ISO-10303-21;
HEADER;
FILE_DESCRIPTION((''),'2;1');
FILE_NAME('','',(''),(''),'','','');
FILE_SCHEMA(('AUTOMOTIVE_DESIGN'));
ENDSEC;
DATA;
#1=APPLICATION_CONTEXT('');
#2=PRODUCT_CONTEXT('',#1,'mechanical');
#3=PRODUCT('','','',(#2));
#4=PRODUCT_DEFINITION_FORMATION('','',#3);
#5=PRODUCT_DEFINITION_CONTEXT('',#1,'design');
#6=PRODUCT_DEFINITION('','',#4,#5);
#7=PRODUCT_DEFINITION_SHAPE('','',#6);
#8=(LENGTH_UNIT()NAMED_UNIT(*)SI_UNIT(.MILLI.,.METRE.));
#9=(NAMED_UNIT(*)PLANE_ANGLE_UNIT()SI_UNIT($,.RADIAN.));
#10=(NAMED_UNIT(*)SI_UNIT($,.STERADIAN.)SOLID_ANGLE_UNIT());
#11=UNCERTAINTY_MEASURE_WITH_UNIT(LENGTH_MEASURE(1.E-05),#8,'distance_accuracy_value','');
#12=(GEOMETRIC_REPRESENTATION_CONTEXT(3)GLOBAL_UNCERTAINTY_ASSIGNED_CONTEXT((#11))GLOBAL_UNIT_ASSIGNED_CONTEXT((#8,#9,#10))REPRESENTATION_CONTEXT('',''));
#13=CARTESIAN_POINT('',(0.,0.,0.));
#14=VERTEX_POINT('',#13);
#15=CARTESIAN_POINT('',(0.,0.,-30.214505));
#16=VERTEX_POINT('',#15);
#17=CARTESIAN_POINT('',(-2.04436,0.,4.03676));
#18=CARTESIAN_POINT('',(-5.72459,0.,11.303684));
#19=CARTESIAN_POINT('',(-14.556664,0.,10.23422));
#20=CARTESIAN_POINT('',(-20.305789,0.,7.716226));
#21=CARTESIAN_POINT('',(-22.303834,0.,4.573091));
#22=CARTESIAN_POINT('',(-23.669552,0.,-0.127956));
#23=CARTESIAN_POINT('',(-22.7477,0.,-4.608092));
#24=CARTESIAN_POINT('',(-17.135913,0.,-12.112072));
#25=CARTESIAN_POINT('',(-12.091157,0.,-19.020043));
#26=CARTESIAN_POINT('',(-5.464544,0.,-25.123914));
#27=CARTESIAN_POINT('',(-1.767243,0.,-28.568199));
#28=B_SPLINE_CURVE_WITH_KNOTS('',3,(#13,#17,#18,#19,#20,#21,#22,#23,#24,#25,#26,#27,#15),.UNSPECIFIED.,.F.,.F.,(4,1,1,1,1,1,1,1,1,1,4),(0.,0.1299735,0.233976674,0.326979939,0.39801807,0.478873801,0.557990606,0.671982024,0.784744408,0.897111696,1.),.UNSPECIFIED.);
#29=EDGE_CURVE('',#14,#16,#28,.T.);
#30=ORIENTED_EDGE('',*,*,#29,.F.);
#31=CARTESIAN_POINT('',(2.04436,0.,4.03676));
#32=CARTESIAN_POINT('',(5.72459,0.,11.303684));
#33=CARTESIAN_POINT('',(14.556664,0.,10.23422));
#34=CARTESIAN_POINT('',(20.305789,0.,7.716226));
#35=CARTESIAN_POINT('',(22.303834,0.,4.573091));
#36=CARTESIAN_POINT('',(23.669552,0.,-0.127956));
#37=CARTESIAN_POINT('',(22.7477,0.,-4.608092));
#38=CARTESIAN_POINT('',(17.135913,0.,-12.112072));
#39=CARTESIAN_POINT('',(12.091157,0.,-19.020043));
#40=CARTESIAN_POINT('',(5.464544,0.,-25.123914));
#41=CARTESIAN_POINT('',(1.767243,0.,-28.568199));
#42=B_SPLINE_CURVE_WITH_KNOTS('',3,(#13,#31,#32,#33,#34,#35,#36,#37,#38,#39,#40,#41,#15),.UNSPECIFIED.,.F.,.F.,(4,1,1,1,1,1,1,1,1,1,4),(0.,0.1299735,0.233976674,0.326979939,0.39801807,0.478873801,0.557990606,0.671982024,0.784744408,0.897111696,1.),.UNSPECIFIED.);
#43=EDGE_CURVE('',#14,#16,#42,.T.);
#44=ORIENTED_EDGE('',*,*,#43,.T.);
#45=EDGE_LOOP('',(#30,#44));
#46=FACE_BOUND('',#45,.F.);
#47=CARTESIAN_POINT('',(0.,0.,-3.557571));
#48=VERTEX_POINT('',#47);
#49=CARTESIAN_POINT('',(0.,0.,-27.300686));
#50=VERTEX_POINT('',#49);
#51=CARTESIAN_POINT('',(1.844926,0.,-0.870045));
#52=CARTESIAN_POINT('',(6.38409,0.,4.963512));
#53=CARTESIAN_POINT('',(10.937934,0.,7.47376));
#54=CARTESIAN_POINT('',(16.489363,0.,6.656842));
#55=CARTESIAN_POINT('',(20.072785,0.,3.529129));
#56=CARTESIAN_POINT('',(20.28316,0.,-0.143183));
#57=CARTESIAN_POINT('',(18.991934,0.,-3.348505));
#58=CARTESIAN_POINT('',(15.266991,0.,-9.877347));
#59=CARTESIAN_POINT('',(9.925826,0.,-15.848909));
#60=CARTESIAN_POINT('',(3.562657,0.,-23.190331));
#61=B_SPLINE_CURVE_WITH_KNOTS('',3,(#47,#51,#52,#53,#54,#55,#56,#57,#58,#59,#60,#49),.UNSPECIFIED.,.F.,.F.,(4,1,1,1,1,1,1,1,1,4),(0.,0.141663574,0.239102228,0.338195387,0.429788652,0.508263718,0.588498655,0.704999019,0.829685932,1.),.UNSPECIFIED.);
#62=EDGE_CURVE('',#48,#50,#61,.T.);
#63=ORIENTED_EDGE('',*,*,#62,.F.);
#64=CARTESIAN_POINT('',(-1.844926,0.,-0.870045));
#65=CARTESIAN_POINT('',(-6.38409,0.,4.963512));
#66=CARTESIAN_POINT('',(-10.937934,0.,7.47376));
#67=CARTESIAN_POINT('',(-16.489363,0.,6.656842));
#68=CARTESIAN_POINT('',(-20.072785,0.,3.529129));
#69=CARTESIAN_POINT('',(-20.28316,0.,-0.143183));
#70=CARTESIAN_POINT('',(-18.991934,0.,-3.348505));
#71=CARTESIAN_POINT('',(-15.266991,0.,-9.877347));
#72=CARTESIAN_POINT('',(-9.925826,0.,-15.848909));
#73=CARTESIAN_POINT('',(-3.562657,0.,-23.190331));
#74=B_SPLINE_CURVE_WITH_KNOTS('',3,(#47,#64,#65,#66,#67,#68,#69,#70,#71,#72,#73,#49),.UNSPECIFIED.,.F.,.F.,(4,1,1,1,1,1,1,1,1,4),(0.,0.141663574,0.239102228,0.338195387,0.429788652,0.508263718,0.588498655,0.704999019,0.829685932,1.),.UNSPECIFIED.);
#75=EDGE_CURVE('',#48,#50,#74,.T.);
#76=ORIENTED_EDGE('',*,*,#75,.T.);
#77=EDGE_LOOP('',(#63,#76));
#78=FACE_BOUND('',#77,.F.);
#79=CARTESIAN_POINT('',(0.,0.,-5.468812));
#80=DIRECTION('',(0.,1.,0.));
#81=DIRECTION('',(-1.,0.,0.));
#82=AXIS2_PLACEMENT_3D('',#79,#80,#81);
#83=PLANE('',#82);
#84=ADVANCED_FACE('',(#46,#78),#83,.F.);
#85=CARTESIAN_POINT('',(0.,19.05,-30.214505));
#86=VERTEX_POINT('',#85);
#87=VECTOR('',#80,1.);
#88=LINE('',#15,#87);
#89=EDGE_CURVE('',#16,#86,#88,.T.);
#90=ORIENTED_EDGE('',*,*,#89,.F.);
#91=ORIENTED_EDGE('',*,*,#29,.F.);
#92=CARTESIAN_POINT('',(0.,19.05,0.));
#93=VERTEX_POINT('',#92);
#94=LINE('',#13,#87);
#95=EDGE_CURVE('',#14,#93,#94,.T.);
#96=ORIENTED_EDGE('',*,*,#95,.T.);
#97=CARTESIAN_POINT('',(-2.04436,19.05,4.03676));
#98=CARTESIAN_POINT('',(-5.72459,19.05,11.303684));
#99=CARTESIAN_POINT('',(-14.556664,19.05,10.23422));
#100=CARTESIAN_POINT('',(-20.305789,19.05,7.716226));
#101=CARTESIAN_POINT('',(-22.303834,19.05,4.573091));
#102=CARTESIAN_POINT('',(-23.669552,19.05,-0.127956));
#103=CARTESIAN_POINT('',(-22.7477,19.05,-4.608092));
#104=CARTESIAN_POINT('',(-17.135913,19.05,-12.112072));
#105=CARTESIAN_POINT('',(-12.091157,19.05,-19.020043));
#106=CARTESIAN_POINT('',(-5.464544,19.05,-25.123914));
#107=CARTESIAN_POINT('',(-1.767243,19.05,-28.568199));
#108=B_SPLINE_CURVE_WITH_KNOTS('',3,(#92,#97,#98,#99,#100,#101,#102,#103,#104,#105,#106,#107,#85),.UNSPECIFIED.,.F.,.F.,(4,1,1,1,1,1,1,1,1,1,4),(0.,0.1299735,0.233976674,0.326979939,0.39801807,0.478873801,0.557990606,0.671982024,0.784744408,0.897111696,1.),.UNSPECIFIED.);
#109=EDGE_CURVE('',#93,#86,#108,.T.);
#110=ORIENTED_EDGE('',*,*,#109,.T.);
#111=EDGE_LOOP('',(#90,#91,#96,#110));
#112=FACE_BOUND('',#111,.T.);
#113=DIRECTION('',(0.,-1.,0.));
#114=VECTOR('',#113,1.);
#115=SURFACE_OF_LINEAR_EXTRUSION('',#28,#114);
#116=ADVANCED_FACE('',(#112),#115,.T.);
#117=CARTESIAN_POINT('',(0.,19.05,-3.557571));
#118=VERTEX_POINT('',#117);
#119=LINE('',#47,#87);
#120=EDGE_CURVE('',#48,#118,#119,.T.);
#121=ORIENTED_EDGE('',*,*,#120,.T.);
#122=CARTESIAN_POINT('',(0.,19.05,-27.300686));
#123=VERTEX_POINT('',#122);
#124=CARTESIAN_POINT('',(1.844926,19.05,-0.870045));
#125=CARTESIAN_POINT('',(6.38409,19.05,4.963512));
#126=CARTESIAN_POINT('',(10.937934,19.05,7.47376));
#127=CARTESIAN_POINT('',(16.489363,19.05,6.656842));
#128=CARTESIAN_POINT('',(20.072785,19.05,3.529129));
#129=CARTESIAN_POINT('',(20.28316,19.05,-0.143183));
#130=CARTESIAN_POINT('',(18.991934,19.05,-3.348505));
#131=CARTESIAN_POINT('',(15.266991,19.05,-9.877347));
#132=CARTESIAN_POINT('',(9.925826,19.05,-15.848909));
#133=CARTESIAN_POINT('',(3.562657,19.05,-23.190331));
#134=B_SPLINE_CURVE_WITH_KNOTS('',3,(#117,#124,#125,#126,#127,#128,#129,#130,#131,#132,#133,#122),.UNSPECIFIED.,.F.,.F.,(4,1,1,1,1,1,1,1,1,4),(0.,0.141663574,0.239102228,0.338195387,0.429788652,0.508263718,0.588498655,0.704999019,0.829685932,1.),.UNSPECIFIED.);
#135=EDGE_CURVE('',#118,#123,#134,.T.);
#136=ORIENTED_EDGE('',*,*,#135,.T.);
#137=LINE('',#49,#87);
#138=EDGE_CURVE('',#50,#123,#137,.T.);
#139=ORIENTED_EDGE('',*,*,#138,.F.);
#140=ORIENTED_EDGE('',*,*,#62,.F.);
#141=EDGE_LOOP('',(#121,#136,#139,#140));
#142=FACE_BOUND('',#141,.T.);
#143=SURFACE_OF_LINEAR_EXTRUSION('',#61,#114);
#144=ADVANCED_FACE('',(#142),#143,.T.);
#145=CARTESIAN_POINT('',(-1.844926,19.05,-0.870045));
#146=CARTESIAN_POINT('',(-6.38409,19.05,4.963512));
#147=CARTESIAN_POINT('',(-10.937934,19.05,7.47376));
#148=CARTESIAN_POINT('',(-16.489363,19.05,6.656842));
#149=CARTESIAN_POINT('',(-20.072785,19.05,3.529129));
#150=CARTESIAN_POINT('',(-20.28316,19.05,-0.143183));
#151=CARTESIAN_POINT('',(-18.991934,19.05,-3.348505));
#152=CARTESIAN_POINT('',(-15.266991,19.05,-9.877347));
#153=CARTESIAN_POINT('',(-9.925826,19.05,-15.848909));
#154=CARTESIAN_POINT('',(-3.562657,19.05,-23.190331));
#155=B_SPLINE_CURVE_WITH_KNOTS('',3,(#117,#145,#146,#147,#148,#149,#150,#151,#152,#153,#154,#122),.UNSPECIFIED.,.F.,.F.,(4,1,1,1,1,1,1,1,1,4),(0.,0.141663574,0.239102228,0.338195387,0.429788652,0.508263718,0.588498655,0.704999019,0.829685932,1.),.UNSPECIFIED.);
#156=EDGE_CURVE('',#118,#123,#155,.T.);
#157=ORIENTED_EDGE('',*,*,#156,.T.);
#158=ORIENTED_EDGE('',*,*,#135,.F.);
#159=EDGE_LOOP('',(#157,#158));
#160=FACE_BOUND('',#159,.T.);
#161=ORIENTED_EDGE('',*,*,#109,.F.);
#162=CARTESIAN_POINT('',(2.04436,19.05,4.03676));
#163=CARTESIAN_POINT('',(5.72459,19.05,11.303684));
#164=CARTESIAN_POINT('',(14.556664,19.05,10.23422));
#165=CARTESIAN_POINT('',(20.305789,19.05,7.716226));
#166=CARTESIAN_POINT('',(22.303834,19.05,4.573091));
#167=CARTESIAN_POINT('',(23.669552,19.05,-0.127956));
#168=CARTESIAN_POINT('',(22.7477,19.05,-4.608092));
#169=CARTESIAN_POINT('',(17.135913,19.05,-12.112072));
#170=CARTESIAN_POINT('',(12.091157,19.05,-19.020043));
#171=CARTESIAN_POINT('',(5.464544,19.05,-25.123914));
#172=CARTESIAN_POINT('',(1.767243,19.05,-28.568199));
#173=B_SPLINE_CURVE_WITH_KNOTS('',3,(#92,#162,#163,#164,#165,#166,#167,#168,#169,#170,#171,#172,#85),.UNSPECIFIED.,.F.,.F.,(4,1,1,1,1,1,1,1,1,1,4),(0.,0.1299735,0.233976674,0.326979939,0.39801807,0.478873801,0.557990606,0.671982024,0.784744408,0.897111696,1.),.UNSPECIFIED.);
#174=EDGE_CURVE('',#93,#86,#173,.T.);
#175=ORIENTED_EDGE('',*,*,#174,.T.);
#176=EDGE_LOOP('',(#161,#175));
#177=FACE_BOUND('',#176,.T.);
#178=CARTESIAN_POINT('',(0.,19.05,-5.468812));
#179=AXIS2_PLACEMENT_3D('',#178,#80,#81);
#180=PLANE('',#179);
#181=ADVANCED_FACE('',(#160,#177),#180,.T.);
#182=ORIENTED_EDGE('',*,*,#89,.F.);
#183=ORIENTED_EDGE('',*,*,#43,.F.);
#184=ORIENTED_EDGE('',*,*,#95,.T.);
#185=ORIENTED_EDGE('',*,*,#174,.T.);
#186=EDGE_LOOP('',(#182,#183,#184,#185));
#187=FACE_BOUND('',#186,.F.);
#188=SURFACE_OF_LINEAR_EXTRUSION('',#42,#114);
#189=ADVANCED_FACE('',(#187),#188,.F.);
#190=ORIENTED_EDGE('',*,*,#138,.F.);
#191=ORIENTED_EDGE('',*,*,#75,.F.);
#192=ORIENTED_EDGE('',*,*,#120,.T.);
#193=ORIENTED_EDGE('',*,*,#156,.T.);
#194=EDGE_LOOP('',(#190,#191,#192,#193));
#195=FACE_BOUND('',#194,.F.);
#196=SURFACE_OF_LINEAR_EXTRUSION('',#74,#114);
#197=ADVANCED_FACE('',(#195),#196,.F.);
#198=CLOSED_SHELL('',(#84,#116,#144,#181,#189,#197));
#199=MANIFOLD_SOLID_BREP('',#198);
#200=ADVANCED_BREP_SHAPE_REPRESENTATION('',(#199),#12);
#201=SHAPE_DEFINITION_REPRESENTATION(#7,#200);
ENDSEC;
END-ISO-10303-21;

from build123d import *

# Parameters (mm, degrees)
F1_DEPTH = 19.05
F3_DEPTH = 19.05


with BuildPart() as f1:
    # F0 (on Front) → F1 (new body)
    with BuildSketch(Plane.XZ):
        with BuildLine():
            add(Edge.make_bspline(
                [(0, 0), (2.0443595991, 4.0367596063), (5.7245902405, 11.3036838799), (14.5566635162, 10.2342195747), (20.3057890604, 7.7162259112), (22.3038344549, 4.5730914919), (23.6695519647, -0.1279557131), (22.7476999658, -4.6080915527), (17.1359127985, -12.1120721618), (12.0911573216, -19.0200425856), (5.4645438108, -25.1239143288), (1.7672432275, -28.5681990685), (0, -30.2145052701)],
                knots=[0, 0, 0, 0, 0.1299735004, 0.2339766736, 0.3269799391, 0.3980180704, 0.4788738006, 0.5579906062, 0.6719820242, 0.7847444084, 0.897111696, 1, 1, 1, 1], degree=3))
            add(Edge.make_bspline(
                [(0, 0), (-2.0443595991, 4.0367596063), (-5.7245902405, 11.3036838799), (-14.5566635162, 10.2342195747), (-20.3057890604, 7.7162259112), (-22.3038344549, 4.5730914919), (-23.6695519647, -0.1279557131), (-22.7476999658, -4.6080915527), (-17.1359127985, -12.1120721618), (-12.0911573216, -19.0200425856), (-5.4645438108, -25.1239143288), (-1.7672432275, -28.5681990685), (0, -30.2145052701)],
                knots=[0, 0, 0, 0, 0.1299735004, 0.2339766736, 0.3269799391, 0.3980180704, 0.4788738006, 0.5579906062, 0.6719820242, 0.7847444084, 0.897111696, 1, 1, 1, 1], degree=3))
        make_face()
    extrude(amount=-F1_DEPTH)

    # F2 (on Front) → F3 (cut)
    with BuildSketch(Plane.XZ):
        with BuildLine():
            add(Edge.make_bspline(
                [(0, -3.5575705115), (1.844926404, -0.8700449334), (6.3840904769, 4.9635124971), (10.9379341025, 7.4737601431), (16.4893634142, 6.6568418641), (20.0727851145, 3.5291286054), (20.2831598816, -0.1431834731), (18.991934135, -3.3485052389), (15.2669912588, -9.8773472955), (9.9258260736, -15.8489090555), (3.562656956, -23.190331279), (0, -27.3006856441)],
                knots=[0, 0, 0, 0, 0.1416635741, 0.2391022281, 0.3381953872, 0.4297886518, 0.5082637179, 0.5884986552, 0.704999019, 0.8296859316, 1, 1, 1, 1], degree=3))
            add(Edge.make_bspline(
                [(0, -3.5575705115), (-1.844926404, -0.8700449334), (-6.3840904769, 4.9635124971), (-10.9379341025, 7.4737601431), (-16.4893634142, 6.6568418641), (-20.0727851145, 3.5291286054), (-20.2831598816, -0.1431834731), (-18.991934135, -3.3485052389), (-15.2669912588, -9.8773472955), (-9.9258260736, -15.8489090555), (-3.562656956, -23.190331279), (0, -27.3006856441)],
                knots=[0, 0, 0, 0, 0.1416635741, 0.2391022281, 0.3381953872, 0.4297886518, 0.5082637179, 0.5884986552, 0.704999019, 0.8296859316, 1, 1, 1, 1], degree=3))
        make_face()
    extrude(amount=-F3_DEPTH, mode=Mode.SUBTRACT)


solid = f1.part
